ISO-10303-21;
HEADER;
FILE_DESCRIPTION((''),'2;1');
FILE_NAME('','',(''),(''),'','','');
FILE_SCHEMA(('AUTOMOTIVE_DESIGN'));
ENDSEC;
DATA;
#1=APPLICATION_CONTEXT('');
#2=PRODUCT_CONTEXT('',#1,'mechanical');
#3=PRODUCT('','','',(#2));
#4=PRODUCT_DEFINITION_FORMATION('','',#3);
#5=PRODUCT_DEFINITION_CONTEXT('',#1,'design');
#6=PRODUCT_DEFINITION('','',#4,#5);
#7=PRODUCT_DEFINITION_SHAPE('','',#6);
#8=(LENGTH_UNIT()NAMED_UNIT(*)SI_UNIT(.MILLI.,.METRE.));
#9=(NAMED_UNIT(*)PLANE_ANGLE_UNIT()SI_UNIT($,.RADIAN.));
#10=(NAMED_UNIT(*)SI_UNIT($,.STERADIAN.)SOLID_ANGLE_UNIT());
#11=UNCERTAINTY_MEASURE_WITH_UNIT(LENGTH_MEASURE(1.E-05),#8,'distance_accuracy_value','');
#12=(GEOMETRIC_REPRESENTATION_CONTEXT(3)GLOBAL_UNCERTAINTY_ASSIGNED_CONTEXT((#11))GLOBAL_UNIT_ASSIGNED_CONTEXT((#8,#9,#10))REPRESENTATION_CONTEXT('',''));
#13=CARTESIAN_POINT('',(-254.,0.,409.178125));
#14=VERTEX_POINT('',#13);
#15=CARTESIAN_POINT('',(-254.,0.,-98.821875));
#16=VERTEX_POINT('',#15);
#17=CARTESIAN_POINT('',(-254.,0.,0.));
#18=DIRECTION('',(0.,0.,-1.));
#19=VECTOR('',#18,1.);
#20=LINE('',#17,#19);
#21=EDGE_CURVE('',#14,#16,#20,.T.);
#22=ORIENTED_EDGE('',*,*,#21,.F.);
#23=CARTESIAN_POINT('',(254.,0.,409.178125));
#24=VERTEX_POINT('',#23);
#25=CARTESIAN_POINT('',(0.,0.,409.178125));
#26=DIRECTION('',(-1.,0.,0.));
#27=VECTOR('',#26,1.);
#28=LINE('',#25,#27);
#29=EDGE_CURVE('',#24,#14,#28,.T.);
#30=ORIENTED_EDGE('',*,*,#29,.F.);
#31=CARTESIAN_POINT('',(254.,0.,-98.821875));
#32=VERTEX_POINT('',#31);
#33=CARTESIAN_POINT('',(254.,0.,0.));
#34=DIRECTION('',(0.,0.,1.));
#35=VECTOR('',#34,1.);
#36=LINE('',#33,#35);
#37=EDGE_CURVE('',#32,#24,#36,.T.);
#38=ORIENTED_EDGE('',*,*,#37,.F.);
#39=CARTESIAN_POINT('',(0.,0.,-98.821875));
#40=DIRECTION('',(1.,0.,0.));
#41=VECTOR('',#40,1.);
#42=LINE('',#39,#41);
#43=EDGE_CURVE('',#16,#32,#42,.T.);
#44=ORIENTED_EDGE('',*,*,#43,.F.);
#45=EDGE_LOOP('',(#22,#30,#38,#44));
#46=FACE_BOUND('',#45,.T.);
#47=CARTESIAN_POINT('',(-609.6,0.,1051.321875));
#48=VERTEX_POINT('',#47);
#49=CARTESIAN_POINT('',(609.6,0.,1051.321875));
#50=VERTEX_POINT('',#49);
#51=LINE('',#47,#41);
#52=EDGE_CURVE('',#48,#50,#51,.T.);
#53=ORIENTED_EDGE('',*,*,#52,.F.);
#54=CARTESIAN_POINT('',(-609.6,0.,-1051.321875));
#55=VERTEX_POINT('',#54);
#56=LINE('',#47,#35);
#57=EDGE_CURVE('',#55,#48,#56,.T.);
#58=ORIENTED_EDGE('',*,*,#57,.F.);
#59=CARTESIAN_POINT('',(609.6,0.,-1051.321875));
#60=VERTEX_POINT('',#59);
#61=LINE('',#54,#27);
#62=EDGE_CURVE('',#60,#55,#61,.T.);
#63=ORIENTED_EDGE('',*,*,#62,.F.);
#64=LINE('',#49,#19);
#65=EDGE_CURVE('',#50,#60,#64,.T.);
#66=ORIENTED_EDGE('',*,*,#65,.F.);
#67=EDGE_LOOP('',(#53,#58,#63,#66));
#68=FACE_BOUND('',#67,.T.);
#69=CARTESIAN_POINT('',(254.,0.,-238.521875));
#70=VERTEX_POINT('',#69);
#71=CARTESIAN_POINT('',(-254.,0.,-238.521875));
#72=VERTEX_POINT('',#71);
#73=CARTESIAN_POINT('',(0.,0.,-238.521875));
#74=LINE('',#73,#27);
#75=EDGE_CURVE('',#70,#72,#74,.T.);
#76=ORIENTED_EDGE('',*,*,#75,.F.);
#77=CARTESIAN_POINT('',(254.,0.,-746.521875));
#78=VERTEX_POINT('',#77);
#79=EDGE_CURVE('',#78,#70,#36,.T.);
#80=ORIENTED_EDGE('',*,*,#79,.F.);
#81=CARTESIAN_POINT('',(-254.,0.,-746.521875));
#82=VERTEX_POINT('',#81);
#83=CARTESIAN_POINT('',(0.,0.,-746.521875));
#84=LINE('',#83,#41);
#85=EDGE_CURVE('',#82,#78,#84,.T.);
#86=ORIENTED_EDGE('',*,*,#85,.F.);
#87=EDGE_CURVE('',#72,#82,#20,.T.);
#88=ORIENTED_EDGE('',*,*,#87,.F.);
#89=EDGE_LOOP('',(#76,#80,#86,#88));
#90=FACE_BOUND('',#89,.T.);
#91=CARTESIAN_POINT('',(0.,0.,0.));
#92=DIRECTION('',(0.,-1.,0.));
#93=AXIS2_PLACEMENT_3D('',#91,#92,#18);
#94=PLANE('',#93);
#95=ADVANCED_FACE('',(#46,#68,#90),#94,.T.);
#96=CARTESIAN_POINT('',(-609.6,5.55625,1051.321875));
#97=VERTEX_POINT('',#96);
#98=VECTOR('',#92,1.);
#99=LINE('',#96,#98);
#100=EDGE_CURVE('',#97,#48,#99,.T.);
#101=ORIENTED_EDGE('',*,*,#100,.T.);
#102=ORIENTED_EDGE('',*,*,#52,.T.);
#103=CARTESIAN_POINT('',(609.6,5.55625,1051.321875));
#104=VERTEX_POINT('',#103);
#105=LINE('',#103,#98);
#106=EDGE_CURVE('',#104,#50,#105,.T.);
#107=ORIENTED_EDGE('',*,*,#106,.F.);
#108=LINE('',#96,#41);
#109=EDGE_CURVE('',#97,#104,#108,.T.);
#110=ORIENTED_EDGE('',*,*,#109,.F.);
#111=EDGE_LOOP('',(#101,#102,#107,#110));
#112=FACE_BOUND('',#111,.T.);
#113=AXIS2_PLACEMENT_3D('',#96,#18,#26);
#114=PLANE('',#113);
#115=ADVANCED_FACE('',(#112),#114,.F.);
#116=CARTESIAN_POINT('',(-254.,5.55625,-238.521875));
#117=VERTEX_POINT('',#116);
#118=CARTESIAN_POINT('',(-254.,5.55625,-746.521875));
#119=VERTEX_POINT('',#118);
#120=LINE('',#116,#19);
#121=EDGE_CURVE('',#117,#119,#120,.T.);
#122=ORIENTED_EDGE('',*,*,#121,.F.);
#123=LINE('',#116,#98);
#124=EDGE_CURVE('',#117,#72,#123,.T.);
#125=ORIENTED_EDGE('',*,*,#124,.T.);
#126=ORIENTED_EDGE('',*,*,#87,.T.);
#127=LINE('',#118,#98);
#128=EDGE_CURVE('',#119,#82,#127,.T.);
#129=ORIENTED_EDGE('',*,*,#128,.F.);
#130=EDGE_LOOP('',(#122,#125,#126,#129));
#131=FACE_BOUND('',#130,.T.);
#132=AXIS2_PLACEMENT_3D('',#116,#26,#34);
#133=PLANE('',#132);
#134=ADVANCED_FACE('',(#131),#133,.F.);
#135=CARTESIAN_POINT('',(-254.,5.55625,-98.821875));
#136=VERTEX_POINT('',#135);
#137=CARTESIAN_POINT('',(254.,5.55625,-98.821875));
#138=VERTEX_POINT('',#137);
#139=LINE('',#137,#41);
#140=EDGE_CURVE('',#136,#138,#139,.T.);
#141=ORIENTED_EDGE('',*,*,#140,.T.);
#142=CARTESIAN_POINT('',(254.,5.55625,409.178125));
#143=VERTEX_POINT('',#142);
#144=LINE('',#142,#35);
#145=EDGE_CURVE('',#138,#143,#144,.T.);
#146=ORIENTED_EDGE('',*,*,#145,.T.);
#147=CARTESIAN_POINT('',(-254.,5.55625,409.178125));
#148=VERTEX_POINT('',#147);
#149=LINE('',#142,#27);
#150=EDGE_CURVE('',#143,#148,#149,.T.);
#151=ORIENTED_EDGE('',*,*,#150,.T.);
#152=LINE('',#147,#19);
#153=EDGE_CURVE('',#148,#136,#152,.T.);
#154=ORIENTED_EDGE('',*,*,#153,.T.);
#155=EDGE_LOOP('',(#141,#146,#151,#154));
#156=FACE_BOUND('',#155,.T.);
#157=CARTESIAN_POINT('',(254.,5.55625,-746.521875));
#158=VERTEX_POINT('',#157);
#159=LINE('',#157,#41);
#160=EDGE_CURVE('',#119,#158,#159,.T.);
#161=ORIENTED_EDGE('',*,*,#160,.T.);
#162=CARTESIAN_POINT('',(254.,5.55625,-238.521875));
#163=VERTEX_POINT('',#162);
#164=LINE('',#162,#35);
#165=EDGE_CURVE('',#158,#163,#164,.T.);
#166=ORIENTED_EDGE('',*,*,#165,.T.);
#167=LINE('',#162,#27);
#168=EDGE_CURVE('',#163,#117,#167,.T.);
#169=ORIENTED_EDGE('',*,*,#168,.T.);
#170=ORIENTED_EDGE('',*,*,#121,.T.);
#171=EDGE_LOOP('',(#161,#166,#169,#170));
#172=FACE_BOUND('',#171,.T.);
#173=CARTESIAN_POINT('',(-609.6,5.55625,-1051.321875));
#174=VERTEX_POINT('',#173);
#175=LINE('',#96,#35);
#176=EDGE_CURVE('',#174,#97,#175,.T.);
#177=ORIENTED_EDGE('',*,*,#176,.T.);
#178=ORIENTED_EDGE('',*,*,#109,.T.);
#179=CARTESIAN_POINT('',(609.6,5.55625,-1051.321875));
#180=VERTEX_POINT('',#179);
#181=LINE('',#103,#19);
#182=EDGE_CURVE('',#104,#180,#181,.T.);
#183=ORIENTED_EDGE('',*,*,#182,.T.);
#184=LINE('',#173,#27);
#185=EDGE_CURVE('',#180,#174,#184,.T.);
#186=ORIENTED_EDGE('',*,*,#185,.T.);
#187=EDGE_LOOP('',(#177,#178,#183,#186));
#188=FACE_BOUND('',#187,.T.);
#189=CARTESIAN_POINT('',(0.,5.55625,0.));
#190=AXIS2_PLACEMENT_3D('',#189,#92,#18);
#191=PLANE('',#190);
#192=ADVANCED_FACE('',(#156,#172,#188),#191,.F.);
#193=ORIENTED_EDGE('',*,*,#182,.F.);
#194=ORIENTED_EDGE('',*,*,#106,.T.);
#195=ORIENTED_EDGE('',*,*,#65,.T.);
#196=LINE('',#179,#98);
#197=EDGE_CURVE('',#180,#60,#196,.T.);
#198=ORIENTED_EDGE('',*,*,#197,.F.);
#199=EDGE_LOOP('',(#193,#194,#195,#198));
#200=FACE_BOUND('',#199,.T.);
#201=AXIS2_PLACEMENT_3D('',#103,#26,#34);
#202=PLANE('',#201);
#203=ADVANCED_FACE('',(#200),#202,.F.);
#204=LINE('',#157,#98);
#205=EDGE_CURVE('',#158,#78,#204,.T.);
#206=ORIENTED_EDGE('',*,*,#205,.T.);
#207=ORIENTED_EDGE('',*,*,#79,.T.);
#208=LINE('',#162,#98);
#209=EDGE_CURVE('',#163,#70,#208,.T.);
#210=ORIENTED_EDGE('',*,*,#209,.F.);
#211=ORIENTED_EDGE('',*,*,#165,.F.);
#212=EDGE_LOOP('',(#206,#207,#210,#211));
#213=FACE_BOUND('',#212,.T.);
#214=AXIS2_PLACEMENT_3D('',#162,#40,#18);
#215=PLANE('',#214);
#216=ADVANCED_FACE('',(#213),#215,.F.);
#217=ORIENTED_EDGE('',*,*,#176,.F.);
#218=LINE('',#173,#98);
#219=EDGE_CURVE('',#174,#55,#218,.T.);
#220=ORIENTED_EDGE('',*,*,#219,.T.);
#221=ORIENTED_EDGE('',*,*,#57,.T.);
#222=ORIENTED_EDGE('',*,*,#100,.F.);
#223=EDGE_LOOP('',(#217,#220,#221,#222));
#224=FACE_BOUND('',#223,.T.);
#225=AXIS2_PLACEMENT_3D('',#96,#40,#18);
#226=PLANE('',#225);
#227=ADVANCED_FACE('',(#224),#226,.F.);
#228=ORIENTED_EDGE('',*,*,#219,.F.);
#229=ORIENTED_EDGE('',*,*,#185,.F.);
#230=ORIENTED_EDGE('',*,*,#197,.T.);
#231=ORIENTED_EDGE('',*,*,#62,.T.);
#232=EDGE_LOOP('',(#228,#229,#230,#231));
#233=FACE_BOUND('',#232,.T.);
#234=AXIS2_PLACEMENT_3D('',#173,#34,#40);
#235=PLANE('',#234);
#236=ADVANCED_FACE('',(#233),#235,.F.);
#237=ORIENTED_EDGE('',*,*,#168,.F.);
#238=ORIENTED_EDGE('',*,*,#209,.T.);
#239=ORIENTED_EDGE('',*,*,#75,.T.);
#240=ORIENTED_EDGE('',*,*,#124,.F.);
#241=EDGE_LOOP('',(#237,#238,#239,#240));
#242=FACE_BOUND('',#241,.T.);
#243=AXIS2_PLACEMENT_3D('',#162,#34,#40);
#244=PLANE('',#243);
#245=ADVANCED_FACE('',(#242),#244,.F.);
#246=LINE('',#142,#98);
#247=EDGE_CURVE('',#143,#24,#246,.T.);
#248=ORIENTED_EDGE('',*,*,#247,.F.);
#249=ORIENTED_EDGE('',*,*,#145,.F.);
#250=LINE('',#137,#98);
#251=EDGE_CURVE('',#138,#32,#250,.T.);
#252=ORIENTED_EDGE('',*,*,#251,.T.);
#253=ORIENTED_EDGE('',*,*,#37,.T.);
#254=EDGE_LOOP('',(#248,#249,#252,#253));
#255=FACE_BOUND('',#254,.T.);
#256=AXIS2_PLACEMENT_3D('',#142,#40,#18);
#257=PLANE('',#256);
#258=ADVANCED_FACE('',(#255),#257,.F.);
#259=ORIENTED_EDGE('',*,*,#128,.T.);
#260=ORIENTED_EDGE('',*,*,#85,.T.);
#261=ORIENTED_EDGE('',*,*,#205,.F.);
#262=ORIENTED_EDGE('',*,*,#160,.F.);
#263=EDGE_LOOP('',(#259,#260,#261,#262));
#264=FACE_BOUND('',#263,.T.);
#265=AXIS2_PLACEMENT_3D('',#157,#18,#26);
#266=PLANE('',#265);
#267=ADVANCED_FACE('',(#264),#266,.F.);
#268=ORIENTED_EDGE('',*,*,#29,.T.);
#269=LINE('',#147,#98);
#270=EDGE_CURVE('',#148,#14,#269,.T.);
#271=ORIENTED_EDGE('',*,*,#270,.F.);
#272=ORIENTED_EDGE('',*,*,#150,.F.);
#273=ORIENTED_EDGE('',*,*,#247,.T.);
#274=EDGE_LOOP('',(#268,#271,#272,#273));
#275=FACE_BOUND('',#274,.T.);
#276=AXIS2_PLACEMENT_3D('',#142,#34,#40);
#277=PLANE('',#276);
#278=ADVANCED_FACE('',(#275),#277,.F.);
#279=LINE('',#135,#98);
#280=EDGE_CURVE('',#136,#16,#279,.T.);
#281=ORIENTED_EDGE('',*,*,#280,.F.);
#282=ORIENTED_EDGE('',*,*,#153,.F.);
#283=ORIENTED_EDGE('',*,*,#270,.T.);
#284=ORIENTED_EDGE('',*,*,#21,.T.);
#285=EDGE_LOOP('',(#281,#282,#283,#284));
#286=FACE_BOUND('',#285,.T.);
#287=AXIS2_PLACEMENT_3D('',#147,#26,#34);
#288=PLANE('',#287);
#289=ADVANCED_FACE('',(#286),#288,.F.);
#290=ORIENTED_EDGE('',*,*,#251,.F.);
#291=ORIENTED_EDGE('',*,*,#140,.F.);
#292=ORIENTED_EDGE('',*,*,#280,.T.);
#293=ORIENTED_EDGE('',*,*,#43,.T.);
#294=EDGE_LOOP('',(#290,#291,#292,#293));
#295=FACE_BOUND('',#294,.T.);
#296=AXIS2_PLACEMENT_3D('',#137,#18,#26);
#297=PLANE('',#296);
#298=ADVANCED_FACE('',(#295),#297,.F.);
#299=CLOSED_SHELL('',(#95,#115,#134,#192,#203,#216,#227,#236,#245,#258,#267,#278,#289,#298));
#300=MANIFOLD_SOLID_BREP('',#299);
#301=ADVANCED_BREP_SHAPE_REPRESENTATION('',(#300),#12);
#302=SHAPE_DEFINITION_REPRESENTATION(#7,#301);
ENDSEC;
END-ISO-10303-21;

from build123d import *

# Parameters (mm, degrees)
SKETCH1_W               = 1219.2
SKETCH1_H               = 2102.64375
BOSS_EXTRUDE1_DEPTH     = 5.55625
CUT_EXTRUDE1_DEPTH      = 1216.286269472
CUT_EXTRUDE1_DEPTH_BACK = 1216.286269472
SKETCH2_W               = 508
SKETCH2_H               = 508


with BuildPart() as part:
    # Sketch1 → Boss-Extrude1 (new body)
    with BuildSketch(Plane(origin=(0, 0, 0), x_dir=(1, 0, 0), z_dir=(0, 1, 0))):
        Rectangle(SKETCH1_W, SKETCH1_H)
    extrude(amount=BOSS_EXTRUDE1_DEPTH)

    # Sketch2 → Cut-Extrude1 (cut, two sides: drawn at the far end of the back side and taken through both)
    with BuildSketch(Plane(origin=(0, 0, 0), x_dir=(-1, 0, 0), z_dir=(0, -1, 0)).offset(-CUT_EXTRUDE1_DEPTH_BACK)):
        with Locations((0, 492.521875)):
            Rectangle(SKETCH2_W, SKETCH2_H)
        with Locations((0, -155.178125)):
            Rectangle(SKETCH2_W, SKETCH2_H)
    extrude(amount=CUT_EXTRUDE1_DEPTH + CUT_EXTRUDE1_DEPTH_BACK, mode=Mode.SUBTRACT)


solid = part.part
